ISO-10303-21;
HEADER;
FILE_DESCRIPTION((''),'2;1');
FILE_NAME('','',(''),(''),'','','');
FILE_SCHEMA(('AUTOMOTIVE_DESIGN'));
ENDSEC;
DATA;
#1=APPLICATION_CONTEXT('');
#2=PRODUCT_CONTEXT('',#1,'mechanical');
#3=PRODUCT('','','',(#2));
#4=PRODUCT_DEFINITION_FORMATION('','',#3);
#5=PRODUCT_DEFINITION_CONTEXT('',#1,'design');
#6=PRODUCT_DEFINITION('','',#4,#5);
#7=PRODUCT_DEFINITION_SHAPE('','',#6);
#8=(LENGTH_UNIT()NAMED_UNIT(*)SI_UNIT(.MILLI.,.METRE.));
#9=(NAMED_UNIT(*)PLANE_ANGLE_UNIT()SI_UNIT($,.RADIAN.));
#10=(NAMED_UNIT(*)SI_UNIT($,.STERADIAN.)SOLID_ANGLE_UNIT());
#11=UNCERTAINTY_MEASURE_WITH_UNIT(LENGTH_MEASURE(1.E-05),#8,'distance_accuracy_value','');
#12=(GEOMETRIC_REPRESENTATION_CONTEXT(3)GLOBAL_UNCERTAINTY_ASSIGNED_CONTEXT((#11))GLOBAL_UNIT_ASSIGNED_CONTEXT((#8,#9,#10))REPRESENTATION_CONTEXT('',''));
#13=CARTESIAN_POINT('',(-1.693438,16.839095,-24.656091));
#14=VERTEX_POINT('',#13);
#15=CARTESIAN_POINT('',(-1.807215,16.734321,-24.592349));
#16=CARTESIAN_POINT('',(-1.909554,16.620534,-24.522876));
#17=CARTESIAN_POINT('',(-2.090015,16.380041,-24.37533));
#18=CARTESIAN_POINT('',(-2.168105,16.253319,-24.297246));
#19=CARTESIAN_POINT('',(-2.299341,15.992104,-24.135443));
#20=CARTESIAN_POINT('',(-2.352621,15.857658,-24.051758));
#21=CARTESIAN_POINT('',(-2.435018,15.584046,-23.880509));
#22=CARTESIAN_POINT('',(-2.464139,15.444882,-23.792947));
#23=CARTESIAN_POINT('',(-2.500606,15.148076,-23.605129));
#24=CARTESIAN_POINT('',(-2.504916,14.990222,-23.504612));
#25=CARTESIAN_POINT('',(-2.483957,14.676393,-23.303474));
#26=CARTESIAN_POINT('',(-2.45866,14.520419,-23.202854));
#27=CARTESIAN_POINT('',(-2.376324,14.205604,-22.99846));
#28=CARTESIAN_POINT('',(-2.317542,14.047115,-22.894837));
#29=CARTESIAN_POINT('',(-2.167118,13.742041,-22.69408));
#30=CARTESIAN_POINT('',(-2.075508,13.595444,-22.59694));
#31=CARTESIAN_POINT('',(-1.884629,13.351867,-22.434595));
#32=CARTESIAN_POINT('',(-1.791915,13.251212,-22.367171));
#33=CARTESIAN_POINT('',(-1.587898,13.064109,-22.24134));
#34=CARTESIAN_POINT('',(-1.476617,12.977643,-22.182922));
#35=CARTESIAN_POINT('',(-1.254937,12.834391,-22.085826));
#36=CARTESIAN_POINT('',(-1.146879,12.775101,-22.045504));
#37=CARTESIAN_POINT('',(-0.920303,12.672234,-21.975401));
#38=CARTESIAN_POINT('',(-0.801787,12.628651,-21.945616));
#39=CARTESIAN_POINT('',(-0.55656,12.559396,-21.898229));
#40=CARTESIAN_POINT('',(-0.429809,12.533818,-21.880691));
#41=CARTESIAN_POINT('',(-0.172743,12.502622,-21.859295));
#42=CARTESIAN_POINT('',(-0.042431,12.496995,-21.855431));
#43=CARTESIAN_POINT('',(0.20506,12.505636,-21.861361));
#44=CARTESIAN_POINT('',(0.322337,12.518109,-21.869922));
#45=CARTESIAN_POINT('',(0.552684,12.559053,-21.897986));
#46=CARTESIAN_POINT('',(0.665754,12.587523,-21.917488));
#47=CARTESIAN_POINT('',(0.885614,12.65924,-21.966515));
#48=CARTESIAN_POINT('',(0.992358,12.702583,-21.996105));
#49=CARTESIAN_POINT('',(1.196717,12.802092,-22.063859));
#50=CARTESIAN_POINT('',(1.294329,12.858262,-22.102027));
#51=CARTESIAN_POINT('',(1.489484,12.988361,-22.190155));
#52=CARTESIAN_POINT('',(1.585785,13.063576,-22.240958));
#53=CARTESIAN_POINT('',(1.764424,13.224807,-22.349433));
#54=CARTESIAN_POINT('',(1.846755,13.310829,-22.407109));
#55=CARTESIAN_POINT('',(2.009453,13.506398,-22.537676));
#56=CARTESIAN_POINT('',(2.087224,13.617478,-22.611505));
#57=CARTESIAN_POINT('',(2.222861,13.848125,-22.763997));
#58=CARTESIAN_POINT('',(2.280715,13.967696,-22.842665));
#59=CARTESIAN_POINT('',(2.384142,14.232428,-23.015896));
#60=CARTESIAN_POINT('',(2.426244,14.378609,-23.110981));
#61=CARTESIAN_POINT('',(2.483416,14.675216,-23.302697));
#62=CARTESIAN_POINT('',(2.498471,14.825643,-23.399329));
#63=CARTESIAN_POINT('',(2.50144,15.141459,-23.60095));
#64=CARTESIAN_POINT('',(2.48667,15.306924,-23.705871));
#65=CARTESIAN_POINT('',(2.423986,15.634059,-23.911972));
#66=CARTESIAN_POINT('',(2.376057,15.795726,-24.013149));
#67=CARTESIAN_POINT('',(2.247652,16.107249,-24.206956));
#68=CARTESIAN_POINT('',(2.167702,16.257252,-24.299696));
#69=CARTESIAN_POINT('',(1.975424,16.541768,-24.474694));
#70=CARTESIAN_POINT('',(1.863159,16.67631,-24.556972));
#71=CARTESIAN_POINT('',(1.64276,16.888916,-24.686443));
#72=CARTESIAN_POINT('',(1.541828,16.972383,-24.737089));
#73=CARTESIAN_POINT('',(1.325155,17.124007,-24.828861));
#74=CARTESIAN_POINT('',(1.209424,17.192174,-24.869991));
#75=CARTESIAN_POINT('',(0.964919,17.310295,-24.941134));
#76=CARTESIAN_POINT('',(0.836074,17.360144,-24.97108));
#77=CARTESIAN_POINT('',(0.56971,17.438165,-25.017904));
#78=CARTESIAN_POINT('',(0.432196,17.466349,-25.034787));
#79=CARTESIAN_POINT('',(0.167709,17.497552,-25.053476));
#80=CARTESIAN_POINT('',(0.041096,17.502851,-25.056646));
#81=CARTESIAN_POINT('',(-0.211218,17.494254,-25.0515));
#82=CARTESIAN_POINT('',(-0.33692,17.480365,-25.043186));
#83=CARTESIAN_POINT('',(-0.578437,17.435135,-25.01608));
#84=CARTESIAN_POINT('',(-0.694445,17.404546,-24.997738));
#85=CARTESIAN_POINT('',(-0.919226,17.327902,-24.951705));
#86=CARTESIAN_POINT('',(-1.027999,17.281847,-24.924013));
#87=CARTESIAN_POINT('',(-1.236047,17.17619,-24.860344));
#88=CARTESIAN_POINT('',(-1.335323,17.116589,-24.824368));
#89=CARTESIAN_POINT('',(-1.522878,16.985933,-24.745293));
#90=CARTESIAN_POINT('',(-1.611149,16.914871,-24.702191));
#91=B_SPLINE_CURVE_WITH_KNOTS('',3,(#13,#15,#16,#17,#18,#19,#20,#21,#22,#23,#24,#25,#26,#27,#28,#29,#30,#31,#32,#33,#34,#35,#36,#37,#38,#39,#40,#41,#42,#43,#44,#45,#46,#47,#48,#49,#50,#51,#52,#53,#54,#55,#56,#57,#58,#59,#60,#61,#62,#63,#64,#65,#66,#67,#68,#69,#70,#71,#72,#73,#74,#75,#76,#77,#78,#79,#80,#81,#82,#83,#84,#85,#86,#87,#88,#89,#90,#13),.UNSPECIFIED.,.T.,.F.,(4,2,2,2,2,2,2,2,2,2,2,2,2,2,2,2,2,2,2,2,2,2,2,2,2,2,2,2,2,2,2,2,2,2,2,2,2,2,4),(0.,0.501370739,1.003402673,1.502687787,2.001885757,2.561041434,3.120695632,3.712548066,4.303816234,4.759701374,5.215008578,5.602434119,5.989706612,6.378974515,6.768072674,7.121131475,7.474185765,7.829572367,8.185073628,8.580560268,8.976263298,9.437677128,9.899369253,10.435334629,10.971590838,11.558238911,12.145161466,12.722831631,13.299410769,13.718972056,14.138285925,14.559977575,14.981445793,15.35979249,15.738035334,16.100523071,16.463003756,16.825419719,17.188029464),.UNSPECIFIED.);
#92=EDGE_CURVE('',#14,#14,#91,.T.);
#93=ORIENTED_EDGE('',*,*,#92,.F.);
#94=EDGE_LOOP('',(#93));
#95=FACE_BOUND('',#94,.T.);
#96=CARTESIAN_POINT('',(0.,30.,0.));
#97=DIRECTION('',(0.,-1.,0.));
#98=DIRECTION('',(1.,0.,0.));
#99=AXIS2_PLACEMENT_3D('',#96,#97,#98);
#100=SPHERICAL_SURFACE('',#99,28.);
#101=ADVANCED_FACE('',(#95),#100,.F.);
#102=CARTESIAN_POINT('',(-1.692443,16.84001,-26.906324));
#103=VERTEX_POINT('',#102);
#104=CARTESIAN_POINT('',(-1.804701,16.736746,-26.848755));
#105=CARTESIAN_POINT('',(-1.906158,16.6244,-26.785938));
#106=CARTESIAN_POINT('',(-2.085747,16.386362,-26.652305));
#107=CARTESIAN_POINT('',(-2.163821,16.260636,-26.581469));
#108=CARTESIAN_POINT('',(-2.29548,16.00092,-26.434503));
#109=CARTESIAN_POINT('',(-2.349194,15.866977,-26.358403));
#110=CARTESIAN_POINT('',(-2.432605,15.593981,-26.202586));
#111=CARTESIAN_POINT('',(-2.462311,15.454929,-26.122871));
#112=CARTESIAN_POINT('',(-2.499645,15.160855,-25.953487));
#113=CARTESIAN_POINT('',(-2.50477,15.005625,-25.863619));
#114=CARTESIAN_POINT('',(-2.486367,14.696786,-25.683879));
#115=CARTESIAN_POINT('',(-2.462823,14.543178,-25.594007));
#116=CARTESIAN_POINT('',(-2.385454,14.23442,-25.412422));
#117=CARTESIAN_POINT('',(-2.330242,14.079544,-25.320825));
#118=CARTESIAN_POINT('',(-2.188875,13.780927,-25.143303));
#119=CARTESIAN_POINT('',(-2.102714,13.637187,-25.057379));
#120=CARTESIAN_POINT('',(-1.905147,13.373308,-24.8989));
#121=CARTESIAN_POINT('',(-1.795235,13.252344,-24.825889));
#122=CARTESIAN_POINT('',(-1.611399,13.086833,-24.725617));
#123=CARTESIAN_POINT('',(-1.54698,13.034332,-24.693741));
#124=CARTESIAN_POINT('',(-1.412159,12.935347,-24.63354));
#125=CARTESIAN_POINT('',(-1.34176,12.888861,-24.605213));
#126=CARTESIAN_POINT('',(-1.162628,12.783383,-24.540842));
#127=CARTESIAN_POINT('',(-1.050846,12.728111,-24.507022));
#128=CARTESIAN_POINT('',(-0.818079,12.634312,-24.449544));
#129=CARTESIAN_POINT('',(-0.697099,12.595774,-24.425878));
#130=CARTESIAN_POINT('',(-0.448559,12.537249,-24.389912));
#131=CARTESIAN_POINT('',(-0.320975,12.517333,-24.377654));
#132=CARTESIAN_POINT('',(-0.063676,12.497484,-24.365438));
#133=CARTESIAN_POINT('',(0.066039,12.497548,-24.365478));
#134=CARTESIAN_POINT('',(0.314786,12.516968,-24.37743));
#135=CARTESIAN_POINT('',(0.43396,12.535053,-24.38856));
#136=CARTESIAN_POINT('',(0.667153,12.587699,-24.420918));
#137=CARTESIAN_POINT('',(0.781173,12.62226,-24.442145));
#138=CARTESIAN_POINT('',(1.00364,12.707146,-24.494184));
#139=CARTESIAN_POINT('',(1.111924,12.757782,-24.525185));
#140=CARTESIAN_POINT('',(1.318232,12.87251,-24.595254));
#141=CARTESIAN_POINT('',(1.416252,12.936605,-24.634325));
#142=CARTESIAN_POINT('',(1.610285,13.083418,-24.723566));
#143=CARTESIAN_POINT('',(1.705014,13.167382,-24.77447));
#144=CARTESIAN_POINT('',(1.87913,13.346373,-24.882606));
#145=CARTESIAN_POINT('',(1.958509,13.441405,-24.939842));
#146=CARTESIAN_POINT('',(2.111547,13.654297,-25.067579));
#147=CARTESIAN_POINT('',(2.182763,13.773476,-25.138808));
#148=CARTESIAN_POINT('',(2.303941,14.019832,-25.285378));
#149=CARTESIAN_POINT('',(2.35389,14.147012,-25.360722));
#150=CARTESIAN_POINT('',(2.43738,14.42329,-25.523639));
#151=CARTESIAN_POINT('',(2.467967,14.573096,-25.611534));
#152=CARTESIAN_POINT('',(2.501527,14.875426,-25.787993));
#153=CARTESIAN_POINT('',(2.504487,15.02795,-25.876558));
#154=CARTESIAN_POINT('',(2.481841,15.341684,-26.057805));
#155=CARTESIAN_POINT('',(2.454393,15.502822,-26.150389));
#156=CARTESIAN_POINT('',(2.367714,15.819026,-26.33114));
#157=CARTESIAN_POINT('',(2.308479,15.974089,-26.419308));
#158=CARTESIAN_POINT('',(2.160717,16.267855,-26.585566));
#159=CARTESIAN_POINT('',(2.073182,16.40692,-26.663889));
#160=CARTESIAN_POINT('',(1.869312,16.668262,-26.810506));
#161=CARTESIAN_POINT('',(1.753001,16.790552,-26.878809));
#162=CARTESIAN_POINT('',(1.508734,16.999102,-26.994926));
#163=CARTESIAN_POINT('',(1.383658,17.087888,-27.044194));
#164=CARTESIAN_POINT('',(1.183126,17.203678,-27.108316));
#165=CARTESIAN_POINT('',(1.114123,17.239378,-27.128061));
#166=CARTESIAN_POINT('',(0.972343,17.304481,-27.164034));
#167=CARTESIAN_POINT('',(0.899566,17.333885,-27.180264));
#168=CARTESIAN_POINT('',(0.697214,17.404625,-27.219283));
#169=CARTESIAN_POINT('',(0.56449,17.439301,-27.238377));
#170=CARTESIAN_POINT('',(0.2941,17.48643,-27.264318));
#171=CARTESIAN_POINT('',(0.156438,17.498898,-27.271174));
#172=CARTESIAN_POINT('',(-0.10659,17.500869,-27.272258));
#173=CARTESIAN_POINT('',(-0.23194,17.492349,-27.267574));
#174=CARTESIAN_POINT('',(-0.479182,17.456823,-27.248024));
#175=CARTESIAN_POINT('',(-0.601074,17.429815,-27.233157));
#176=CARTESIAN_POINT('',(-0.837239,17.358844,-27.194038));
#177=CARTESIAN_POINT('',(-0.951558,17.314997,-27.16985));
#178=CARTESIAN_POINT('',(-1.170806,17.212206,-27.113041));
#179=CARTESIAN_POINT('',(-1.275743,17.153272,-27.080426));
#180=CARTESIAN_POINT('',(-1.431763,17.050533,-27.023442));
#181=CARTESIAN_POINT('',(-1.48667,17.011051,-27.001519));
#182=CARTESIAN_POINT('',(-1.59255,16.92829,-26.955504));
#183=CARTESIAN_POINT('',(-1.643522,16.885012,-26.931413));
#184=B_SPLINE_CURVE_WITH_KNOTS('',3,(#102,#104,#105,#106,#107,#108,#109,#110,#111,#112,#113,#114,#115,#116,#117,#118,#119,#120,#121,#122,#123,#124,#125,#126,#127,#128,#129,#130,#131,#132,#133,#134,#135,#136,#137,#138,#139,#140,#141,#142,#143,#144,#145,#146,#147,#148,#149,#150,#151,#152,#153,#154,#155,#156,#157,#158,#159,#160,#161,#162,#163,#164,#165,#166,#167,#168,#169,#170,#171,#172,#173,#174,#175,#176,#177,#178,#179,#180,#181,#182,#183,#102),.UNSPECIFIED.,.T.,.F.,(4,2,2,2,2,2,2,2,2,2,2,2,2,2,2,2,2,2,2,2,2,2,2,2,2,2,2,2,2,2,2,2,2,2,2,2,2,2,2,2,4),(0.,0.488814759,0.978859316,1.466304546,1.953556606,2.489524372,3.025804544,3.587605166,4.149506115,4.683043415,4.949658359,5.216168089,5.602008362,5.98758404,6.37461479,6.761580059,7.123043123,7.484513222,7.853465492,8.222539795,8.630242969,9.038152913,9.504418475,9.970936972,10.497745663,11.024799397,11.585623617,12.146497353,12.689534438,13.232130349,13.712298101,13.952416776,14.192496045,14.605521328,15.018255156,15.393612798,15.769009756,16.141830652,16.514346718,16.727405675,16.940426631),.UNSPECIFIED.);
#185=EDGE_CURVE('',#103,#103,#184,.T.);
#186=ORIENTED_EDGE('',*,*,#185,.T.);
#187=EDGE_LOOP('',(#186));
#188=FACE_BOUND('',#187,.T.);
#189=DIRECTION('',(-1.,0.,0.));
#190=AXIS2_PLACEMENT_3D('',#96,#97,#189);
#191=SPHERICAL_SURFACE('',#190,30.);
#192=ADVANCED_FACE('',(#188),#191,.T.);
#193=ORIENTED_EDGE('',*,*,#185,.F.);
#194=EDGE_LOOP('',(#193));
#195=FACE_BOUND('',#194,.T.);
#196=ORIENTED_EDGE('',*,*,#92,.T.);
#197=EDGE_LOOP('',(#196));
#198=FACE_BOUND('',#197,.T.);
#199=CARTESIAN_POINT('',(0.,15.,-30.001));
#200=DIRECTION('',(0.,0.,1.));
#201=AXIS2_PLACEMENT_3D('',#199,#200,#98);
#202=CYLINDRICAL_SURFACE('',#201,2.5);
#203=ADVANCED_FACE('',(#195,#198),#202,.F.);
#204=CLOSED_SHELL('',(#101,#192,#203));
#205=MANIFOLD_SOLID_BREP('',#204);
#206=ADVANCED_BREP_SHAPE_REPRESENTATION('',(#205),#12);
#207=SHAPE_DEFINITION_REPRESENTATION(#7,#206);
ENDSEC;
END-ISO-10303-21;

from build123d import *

# Parameters (mm, degrees)
CUT_EXTRUDE1_REACH      = 75.485
CUT_EXTRUDE1_END_RADIUS = 30
SKETCH2_R               = 2.5


with BuildPart() as part:
    # Sketch1 → Revolve1 (revolve)
    with BuildSketch(Plane.XY):
        with BuildLine():
            Line((0, 60), (0, 58))
            ThreePointArc((0, 58), (28, 30), (0, 2))
            Line((0, 2), (0, 0))
            ThreePointArc((0, 0), (30, 30), (0, 60))
        make_face()
    revolve(axis=Axis((0, 0, 0), (0, 1, 0)))

    # Cut-Extrude1: up to this sphere (the profile starts inside it)
    cut_extrude1_end = Location((0, 30, 0)) * Sphere(CUT_EXTRUDE1_END_RADIUS, mode=Mode.PRIVATE)
    # Sketch2 → Cut-Extrude1 (cut, up to the surface)
    with BuildSketch(Plane.XY, mode=Mode.PRIVATE) as cut_extrude1_sk1:
        with Locations(Location((0, 15, 0), (0, 0, 132.607874001))):
            Circle(SKETCH2_R)
    cut_extrude1_tool1 = extrude(cut_extrude1_sk1.sketch, amount=-CUT_EXTRUDE1_REACH, mode=Mode.PRIVATE) & cut_extrude1_end
    add(cut_extrude1_tool1.solids().sort_by_distance((0, 15, 0))[0], mode=Mode.SUBTRACT)


solid = part.part
